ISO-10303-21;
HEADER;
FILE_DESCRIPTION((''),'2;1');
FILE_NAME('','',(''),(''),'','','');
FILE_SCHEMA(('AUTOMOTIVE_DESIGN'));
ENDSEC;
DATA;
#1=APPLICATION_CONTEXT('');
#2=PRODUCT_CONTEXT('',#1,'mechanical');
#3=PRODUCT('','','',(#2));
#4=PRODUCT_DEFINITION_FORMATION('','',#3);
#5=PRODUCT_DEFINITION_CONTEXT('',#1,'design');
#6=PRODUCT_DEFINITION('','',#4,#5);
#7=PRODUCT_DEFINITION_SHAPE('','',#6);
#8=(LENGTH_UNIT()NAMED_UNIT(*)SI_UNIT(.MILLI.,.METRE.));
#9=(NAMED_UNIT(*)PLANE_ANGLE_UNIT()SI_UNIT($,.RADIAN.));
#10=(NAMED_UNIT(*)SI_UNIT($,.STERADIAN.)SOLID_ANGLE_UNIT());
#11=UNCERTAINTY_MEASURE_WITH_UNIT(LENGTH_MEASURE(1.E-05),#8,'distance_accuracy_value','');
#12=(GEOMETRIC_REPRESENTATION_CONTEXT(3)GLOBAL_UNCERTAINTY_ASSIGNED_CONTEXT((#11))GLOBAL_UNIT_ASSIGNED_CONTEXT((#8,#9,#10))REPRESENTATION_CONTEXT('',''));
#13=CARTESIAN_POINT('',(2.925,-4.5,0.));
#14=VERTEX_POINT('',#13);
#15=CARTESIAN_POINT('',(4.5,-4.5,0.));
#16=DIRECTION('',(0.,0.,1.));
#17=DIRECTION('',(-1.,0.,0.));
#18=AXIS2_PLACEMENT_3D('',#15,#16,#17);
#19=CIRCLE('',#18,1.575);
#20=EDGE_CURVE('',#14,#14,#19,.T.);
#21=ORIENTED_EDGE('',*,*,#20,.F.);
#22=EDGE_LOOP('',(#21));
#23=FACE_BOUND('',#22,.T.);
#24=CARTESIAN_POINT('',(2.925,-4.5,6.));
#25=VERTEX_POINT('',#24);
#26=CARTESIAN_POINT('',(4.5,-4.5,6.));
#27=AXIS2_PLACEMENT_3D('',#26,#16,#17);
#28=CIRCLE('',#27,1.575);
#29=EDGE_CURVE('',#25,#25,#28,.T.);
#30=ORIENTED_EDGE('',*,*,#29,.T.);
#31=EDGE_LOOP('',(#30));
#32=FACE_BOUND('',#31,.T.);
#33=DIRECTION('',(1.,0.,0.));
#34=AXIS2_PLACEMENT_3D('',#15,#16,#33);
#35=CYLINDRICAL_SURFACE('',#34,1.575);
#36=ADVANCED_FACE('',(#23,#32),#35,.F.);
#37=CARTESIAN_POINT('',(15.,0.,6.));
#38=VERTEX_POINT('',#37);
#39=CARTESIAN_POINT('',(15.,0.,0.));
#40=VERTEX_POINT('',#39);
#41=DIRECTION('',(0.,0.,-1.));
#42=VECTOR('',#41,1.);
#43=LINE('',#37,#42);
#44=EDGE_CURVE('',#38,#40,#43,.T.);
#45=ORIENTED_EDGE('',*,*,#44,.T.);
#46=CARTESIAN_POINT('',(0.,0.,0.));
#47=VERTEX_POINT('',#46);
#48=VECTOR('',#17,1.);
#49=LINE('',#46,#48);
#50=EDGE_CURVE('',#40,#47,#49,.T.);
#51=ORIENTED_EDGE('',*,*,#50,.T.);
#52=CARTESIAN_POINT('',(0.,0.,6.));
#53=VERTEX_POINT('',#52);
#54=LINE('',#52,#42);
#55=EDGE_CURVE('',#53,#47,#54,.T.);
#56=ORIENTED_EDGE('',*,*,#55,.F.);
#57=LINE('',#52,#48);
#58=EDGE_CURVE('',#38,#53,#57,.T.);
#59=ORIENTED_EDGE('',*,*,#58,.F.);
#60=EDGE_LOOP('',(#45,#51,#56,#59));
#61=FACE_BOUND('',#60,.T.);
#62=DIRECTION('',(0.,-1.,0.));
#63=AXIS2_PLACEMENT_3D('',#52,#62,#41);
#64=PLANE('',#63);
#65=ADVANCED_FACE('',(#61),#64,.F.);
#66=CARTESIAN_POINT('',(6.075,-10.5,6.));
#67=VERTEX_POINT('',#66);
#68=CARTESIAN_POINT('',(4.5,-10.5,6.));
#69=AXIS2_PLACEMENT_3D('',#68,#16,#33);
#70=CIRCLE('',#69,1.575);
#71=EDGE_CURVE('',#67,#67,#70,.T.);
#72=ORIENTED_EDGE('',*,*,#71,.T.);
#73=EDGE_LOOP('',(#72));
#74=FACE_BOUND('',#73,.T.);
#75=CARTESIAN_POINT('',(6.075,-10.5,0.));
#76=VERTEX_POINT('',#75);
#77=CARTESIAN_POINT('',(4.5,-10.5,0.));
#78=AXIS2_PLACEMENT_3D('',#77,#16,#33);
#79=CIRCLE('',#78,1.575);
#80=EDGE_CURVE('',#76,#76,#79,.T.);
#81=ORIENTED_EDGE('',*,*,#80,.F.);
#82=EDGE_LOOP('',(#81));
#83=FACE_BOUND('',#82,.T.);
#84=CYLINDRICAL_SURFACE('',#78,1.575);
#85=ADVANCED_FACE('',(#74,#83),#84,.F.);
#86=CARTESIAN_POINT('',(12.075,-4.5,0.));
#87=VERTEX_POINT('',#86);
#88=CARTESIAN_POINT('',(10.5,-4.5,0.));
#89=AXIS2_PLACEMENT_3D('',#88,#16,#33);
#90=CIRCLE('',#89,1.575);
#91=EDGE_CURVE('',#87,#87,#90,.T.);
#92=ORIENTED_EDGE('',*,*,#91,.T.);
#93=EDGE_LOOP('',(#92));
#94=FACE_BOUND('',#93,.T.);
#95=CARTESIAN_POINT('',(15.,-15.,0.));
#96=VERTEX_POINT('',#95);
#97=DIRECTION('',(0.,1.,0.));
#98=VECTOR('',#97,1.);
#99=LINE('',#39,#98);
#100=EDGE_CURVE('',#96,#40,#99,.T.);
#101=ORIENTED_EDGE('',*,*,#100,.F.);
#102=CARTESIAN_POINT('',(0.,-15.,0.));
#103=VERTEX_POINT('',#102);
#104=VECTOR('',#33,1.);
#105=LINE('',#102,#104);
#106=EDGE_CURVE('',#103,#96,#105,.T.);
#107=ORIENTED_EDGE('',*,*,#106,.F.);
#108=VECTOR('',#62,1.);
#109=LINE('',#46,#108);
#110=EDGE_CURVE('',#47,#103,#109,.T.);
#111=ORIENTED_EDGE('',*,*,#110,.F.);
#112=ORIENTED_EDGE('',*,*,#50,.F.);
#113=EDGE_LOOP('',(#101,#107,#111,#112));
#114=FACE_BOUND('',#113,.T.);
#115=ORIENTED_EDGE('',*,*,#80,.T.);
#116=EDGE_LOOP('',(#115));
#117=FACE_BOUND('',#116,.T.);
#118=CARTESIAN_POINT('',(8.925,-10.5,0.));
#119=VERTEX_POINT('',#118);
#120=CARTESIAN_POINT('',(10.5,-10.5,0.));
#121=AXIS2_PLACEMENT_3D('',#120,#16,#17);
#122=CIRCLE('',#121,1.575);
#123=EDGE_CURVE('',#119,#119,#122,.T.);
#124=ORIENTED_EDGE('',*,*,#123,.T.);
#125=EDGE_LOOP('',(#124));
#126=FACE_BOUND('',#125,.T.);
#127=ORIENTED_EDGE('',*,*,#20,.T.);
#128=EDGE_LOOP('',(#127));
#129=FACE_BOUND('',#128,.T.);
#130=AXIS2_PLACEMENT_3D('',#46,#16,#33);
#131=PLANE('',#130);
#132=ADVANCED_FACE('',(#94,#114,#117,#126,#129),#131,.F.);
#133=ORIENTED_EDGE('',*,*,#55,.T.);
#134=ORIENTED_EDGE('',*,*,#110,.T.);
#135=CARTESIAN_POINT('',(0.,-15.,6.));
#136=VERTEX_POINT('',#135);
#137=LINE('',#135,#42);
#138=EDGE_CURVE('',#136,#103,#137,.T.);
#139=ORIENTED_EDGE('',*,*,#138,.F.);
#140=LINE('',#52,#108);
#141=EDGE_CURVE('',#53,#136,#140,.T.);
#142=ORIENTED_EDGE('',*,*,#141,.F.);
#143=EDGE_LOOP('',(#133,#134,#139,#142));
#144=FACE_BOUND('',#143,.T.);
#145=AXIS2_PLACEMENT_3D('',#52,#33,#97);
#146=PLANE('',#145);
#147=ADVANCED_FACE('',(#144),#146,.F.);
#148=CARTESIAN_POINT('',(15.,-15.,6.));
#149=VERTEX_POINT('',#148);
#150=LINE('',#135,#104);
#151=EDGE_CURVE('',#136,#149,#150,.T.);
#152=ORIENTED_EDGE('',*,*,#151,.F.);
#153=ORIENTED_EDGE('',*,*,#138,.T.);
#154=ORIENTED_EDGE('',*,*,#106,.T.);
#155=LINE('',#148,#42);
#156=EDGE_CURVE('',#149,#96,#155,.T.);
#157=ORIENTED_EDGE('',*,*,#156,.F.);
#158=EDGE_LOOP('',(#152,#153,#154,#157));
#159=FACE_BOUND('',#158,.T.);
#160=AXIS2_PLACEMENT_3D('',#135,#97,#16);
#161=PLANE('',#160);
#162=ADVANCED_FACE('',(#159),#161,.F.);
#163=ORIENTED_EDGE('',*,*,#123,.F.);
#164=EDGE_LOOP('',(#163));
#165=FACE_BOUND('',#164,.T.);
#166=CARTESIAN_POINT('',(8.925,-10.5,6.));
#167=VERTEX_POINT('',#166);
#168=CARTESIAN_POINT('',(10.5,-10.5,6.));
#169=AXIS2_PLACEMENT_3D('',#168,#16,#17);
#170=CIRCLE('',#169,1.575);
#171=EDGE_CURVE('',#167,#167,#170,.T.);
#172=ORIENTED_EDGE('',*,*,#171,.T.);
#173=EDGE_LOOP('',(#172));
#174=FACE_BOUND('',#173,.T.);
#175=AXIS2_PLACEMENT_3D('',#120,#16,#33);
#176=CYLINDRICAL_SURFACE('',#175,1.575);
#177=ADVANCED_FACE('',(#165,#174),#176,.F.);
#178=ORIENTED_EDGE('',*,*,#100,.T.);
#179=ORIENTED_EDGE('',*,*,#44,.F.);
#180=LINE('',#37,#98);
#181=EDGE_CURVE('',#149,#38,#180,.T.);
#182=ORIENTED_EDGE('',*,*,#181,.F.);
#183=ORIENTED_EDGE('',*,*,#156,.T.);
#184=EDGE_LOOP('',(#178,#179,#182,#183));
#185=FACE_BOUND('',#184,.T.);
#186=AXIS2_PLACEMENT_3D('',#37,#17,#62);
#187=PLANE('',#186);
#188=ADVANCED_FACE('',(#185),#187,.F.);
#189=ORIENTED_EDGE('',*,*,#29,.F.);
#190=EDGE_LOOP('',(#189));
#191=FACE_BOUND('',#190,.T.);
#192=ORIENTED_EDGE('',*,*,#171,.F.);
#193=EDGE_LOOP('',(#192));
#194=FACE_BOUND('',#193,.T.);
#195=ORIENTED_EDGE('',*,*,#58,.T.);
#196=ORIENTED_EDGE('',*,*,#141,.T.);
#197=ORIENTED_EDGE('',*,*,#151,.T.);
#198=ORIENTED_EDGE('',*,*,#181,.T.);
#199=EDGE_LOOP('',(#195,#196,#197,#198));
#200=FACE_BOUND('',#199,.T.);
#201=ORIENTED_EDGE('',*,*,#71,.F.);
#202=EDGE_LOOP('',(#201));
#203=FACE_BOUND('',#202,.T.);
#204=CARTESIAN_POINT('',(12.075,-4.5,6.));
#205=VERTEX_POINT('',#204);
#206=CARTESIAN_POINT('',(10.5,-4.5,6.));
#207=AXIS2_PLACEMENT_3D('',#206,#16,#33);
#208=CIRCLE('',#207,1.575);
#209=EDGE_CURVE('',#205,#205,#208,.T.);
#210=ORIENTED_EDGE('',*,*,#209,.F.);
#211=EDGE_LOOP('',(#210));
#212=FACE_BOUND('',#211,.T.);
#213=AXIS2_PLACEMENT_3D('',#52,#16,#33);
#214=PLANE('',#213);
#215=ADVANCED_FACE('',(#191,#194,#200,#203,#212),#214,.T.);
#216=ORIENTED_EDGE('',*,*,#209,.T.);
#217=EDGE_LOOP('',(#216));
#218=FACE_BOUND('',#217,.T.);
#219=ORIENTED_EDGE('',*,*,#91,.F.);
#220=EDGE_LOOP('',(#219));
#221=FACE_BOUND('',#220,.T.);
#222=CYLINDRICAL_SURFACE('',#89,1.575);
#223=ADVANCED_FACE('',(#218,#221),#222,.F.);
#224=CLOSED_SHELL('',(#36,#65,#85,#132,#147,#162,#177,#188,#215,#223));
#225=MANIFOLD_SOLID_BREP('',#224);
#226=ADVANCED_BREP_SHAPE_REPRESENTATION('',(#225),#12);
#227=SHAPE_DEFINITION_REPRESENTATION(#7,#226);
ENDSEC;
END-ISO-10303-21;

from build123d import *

# Parameters (mm, degrees)
SKETCH_1_W          = 15
SKETCH_1_H          = 15
EXTRUDE_1_DEPTH     = 6
SKETCH_2_R          = 1.575
CUT_EXTRUDE_1_DEPTH = 23.045407685


with BuildPart() as part:
    # 草图1 → 凸台-拉伸1 (new body)
    with BuildSketch(Plane.XY):
        with Locations((7.5, -7.5)):
            Rectangle(SKETCH_1_W, SKETCH_1_H)
    extrude(amount=EXTRUDE_1_DEPTH)

    # 草图2 → 切除-拉伸1 (cut, through all)
    with BuildSketch(Plane.XY.offset(6)):
        with Locations((4.5, -10.5)):
            Circle(SKETCH_2_R)
        with Locations(Location((10.5, -10.5, 0), (0, 0, 180))):
            Circle(SKETCH_2_R)
        with Locations((10.5, -4.5)):
            Circle(SKETCH_2_R)
        with Locations(Location((4.5, -4.5, 0), (0, 0, 180))):
            Circle(SKETCH_2_R)
    extrude(amount=-CUT_EXTRUDE_1_DEPTH, mode=Mode.SUBTRACT)


solid = part.part
